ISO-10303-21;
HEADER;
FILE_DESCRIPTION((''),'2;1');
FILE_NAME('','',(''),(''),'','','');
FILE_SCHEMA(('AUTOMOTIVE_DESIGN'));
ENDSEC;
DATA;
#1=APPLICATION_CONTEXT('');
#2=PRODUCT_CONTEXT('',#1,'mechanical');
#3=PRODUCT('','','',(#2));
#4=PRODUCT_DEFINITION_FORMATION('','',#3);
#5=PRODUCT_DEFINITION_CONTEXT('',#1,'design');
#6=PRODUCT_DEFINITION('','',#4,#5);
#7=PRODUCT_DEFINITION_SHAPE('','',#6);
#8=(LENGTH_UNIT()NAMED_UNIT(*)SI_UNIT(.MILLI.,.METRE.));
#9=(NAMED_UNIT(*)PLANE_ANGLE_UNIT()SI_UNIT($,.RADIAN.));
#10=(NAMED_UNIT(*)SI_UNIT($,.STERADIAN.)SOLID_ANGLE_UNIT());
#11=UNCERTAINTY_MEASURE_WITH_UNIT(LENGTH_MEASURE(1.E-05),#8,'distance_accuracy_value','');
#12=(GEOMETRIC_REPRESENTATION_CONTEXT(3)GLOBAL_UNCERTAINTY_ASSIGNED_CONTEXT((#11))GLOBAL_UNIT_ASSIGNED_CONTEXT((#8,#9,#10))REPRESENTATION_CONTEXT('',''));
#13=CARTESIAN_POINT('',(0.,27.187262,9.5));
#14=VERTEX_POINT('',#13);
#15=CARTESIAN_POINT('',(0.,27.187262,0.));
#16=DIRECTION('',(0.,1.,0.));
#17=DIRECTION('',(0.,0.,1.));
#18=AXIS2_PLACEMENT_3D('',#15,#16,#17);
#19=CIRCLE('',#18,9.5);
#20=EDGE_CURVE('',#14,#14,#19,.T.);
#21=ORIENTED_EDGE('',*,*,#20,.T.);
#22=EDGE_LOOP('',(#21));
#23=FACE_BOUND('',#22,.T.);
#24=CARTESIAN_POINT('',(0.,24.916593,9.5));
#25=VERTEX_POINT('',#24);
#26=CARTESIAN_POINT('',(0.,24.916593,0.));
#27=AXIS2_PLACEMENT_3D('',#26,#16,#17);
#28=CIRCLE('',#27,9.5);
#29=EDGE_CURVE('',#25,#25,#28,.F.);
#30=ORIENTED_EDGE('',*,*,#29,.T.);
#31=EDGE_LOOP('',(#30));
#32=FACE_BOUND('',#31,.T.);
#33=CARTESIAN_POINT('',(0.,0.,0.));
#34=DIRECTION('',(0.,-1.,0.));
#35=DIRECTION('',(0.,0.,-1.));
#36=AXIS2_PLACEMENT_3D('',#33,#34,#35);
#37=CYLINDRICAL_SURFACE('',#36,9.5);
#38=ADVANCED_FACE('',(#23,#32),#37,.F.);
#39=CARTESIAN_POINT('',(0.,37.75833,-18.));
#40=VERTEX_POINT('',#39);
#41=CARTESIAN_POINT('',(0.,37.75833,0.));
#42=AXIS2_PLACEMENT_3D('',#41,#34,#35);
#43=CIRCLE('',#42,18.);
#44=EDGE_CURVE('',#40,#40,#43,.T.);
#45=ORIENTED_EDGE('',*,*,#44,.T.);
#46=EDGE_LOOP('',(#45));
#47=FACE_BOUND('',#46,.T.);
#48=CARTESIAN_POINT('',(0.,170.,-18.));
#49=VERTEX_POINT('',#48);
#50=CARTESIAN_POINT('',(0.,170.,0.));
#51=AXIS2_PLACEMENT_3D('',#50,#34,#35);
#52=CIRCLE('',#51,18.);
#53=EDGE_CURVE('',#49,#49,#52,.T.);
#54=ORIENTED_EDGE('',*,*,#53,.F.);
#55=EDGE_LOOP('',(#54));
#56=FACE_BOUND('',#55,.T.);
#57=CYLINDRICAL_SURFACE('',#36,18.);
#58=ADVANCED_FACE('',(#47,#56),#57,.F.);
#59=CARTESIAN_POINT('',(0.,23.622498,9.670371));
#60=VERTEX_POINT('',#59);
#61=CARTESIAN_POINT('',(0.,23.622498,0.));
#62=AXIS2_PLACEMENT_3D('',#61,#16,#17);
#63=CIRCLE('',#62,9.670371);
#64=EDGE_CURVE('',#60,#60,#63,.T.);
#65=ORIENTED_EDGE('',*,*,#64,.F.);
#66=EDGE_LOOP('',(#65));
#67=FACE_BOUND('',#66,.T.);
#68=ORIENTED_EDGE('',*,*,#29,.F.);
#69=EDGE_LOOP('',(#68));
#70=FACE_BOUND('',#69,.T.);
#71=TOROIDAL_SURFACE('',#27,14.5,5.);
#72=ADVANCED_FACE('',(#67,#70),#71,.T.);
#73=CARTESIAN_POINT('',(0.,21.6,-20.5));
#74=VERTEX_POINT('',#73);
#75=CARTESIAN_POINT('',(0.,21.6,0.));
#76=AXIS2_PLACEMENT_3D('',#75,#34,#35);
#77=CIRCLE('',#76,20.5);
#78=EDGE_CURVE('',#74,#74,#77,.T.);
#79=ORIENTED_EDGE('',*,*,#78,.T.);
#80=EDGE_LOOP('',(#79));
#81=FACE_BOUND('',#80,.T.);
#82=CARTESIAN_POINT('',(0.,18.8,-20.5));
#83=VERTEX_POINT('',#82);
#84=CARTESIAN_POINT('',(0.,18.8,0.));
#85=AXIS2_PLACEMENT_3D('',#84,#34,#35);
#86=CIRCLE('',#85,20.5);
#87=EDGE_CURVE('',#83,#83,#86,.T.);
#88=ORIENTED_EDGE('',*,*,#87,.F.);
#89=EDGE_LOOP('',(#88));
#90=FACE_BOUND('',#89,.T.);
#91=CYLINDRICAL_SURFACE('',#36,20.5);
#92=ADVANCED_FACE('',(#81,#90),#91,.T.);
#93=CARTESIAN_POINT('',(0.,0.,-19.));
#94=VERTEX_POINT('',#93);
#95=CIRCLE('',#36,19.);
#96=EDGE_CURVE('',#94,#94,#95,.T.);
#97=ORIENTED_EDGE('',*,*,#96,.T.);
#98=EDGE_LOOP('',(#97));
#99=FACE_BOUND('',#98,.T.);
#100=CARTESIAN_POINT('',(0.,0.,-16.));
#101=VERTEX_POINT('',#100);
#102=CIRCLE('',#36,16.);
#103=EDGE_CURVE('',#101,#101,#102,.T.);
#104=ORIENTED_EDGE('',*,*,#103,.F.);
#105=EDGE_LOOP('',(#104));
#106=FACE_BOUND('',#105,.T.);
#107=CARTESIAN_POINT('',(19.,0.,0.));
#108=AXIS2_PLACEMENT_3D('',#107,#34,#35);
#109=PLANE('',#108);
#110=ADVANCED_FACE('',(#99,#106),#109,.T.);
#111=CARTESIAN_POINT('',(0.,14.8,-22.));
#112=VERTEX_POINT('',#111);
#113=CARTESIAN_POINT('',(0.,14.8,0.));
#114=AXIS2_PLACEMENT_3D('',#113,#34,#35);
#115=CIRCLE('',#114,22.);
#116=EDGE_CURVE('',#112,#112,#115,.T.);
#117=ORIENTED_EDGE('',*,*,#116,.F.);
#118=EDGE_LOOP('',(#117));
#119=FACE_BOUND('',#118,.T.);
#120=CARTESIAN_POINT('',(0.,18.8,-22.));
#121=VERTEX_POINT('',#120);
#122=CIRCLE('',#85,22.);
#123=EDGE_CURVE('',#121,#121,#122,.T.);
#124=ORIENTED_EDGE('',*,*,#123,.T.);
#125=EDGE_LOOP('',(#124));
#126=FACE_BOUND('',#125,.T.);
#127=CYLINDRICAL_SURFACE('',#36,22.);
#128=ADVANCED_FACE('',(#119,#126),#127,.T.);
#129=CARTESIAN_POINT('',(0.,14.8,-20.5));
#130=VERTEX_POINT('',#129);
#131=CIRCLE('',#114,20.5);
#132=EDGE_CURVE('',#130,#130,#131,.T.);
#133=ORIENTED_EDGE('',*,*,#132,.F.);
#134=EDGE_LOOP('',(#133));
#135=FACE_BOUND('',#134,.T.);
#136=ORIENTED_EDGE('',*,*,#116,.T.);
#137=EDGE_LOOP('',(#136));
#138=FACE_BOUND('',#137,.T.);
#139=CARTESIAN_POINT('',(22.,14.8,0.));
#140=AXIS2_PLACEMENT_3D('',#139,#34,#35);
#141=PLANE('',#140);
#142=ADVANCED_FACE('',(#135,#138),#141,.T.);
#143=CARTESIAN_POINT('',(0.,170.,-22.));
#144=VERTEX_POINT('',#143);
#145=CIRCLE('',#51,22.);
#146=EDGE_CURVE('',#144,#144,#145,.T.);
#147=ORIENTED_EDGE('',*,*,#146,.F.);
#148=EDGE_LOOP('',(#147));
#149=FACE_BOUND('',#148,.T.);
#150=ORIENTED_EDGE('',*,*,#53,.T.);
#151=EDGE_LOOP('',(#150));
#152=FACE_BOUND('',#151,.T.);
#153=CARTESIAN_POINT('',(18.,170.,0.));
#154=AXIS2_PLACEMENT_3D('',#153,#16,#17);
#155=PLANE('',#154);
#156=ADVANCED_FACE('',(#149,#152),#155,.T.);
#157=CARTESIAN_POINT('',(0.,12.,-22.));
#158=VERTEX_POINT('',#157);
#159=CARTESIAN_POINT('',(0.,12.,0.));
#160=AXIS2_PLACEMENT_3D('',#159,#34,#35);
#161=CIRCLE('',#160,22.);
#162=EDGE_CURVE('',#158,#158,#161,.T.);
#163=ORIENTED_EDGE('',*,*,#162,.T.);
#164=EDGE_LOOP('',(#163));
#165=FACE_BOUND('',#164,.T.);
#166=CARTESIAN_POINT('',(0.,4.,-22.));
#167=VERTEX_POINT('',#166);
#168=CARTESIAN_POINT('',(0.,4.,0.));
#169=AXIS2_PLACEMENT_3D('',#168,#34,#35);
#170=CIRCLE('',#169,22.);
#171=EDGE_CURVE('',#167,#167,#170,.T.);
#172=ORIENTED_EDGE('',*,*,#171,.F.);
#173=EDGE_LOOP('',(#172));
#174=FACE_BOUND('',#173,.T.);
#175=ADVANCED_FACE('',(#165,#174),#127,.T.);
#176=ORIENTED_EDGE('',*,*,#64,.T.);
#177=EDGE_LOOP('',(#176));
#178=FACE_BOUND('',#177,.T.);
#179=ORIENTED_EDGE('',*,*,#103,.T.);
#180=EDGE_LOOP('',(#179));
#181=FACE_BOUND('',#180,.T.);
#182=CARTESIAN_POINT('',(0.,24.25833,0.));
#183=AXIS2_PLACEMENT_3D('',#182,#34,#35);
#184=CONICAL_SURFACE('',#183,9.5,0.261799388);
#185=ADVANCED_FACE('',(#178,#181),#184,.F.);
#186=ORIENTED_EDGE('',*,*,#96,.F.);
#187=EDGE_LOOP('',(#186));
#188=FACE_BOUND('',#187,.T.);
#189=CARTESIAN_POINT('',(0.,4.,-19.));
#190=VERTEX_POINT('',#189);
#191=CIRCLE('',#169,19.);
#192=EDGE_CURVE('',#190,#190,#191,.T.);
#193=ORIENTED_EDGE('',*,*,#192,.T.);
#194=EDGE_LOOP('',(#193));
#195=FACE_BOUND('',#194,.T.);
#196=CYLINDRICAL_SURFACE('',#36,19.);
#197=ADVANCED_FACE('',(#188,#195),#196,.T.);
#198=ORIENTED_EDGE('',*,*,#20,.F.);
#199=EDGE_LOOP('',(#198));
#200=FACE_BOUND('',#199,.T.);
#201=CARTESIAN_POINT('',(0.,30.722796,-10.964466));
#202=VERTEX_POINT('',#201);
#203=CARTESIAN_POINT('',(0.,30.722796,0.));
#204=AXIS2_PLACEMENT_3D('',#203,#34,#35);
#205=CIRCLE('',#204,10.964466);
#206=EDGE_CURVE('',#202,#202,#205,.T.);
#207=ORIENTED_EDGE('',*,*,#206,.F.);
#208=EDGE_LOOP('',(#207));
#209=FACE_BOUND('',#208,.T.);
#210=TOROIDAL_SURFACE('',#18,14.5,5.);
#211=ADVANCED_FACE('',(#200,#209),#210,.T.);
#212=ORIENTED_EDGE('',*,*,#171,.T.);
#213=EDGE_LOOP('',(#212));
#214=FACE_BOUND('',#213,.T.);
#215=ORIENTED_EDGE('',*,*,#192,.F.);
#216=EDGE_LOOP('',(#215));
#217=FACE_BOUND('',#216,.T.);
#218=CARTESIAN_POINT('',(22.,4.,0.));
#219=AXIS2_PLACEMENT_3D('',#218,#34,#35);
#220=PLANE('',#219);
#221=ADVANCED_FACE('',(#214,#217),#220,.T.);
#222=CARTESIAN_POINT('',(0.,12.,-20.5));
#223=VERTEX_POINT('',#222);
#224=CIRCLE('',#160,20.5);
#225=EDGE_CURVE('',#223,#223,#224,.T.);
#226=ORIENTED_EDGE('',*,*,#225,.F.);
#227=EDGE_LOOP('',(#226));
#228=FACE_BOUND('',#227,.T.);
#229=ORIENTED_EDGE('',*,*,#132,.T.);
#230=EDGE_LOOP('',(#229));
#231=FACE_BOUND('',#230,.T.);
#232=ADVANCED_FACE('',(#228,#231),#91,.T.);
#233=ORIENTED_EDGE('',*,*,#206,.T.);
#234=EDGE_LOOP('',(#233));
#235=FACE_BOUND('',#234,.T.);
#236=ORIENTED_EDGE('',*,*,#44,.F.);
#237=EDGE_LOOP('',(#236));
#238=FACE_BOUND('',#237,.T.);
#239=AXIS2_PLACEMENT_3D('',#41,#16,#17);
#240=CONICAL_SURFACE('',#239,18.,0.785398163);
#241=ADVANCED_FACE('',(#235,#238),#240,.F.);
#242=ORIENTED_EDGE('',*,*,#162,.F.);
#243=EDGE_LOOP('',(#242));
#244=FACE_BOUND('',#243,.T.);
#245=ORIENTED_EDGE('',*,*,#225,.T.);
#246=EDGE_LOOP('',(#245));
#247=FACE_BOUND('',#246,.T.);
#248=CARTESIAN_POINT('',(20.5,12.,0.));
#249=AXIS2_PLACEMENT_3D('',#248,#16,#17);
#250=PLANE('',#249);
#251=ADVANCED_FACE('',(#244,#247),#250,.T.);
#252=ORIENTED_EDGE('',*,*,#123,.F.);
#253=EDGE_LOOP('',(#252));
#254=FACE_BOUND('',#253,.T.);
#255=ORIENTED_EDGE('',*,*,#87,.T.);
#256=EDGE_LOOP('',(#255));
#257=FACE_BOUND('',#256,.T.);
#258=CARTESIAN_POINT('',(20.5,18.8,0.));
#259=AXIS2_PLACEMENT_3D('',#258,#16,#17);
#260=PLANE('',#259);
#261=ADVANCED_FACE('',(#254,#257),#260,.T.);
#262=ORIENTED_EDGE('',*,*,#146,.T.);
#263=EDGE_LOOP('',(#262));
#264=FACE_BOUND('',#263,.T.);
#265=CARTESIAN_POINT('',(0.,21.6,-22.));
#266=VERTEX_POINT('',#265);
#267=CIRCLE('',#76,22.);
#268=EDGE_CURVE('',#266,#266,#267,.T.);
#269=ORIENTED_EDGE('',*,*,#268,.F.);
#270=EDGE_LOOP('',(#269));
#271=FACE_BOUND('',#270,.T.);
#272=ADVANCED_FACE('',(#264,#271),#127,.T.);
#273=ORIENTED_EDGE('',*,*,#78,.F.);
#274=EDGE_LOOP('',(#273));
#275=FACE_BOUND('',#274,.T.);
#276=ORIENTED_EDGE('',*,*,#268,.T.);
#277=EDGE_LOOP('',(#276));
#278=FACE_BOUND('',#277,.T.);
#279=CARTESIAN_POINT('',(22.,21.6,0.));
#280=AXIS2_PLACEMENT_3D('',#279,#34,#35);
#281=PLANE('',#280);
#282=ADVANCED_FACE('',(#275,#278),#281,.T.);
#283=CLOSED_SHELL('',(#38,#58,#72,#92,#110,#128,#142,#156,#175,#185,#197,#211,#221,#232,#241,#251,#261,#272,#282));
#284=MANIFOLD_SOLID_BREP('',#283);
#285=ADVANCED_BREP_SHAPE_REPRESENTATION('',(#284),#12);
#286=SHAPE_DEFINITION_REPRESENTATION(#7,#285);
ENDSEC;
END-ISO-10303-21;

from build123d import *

# Parameters (mm, degrees)
FILLET1_R = 5


with BuildPart() as part:
    # Sketch1 → Revolve1 (revolve)
    with BuildSketch(Plane.XY):
        Polygon((16, 0), (9.5, 24.258330249), (9.5, 29.258330249), (18, 37.758330249), (18, 170), (22, 170), (22, 21.6), (20.5, 21.6), (20.5, 18.8), (22, 18.8), (22, 14.8), (20.5, 14.8), (20.5, 12), (22, 12), (22, 4), (19, 4), (19, 0), align=None)
    revolve(axis=Axis((0, 0, 0), (0, 1, 0)))

    # Fillet1
    fillet1_edges = [part.edges().sort_by_distance(p)[0] for p in [
        (-9.5, 29.258330249, 0),
        (-9.5, 24.258330249, 0),
    ]]
    fillet(fillet1_edges, radius=FILLET1_R)


solid = part.part
